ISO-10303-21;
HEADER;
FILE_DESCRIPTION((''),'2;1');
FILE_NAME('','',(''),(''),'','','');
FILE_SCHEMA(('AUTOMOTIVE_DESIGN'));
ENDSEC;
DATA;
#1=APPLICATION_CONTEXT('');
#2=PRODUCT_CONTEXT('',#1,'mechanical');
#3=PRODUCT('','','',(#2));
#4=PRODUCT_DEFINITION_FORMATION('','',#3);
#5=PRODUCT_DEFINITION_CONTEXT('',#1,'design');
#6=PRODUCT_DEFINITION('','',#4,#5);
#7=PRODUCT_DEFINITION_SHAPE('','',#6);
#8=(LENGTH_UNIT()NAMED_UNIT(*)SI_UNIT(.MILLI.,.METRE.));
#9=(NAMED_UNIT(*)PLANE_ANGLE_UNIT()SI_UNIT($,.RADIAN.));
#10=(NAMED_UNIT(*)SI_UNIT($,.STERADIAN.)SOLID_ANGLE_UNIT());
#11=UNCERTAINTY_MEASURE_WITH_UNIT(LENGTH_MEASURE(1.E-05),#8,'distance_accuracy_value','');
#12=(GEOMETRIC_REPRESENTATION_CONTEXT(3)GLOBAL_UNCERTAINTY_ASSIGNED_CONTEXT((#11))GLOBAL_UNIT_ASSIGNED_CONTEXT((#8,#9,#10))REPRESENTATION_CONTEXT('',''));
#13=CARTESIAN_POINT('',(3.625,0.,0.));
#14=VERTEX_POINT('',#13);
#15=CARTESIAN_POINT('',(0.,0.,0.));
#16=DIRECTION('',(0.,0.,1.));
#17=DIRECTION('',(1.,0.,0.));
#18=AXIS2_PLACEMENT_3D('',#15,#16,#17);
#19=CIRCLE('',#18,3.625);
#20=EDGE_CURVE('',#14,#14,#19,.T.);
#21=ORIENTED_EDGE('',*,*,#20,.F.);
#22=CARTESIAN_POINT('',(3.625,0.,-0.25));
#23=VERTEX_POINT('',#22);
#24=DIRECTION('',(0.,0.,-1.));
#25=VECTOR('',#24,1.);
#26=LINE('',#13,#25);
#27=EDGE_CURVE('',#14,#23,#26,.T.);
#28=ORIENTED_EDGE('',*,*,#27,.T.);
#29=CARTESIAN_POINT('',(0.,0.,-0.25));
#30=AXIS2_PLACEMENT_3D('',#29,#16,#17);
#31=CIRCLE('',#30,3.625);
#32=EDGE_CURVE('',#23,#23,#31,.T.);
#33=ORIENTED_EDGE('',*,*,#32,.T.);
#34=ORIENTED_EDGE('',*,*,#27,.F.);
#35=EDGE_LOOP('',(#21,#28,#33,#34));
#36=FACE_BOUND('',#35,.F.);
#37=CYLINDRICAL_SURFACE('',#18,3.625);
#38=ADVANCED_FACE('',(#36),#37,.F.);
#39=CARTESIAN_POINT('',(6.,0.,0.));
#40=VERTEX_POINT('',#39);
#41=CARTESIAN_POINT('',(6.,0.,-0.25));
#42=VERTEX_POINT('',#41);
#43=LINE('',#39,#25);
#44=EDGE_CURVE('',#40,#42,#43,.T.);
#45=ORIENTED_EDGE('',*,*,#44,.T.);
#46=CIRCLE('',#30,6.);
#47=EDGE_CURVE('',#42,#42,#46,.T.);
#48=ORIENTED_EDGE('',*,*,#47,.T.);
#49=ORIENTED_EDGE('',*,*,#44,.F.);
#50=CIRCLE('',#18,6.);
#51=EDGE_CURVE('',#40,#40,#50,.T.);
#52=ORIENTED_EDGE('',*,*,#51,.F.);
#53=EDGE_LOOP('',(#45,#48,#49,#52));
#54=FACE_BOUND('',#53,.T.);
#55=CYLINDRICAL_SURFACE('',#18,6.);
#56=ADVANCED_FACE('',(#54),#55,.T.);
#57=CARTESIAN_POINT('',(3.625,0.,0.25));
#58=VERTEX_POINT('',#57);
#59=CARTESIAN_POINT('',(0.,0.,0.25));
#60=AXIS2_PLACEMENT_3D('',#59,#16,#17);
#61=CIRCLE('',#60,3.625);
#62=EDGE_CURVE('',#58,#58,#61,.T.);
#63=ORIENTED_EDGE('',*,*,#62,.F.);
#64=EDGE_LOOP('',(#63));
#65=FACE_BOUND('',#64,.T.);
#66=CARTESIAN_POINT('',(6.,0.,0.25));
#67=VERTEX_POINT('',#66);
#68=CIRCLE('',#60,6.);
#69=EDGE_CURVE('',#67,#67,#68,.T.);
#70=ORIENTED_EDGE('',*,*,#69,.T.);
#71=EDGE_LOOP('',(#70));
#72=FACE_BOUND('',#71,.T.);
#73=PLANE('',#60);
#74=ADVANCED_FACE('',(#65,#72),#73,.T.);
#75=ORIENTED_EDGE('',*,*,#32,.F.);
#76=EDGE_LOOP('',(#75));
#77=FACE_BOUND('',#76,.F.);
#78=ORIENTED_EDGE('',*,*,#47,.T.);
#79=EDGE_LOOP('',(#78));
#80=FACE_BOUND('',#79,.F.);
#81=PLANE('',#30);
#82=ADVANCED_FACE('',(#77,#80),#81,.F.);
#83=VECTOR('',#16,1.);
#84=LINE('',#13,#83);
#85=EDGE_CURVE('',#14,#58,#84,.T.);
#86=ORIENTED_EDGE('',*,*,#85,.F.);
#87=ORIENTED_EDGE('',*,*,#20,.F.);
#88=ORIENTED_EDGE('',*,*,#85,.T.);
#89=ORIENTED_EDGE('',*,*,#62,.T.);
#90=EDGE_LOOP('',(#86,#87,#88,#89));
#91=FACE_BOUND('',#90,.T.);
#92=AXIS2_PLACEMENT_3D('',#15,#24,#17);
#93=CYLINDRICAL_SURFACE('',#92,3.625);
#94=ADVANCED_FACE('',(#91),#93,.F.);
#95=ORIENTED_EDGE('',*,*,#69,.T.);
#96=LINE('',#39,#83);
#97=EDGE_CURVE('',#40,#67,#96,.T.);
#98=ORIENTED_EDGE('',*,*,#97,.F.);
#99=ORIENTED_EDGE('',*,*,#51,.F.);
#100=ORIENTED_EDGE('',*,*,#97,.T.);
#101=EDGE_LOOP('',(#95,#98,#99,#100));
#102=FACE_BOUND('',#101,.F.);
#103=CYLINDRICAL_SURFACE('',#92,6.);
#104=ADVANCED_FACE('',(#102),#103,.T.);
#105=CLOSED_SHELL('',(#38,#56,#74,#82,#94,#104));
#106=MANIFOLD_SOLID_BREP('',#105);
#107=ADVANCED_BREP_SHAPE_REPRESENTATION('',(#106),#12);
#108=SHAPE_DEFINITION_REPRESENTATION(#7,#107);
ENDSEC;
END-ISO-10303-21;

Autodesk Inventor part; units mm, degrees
ref_plane "YZ Plane" through (0, 0, 0) normal (1, 0, 0) x (0, 1, 0)
ref_plane "XZ Plane" through (0, 0, 0) normal (0, 1, 0) x (-1, 0, 0)
ref_plane "XY Plane" through (0, 0, 0) normal (0, 0, 1) x (1, 0, 0)
sketch "Sketch1" plane through (0, 0, 0) normal (0, 0, 1) x (1, 0, 0)
  circle A0 centre (0, 0) radius 6
  circle A1 centre (0, 0) radius 3.625
  dimension "d0" = 12
  dimension "d1" = 7.25
extrude "Extrusion1" add sketch "Sketch1" along normal mid plane 0.5
properties part number "Arruela Potenciometro"
